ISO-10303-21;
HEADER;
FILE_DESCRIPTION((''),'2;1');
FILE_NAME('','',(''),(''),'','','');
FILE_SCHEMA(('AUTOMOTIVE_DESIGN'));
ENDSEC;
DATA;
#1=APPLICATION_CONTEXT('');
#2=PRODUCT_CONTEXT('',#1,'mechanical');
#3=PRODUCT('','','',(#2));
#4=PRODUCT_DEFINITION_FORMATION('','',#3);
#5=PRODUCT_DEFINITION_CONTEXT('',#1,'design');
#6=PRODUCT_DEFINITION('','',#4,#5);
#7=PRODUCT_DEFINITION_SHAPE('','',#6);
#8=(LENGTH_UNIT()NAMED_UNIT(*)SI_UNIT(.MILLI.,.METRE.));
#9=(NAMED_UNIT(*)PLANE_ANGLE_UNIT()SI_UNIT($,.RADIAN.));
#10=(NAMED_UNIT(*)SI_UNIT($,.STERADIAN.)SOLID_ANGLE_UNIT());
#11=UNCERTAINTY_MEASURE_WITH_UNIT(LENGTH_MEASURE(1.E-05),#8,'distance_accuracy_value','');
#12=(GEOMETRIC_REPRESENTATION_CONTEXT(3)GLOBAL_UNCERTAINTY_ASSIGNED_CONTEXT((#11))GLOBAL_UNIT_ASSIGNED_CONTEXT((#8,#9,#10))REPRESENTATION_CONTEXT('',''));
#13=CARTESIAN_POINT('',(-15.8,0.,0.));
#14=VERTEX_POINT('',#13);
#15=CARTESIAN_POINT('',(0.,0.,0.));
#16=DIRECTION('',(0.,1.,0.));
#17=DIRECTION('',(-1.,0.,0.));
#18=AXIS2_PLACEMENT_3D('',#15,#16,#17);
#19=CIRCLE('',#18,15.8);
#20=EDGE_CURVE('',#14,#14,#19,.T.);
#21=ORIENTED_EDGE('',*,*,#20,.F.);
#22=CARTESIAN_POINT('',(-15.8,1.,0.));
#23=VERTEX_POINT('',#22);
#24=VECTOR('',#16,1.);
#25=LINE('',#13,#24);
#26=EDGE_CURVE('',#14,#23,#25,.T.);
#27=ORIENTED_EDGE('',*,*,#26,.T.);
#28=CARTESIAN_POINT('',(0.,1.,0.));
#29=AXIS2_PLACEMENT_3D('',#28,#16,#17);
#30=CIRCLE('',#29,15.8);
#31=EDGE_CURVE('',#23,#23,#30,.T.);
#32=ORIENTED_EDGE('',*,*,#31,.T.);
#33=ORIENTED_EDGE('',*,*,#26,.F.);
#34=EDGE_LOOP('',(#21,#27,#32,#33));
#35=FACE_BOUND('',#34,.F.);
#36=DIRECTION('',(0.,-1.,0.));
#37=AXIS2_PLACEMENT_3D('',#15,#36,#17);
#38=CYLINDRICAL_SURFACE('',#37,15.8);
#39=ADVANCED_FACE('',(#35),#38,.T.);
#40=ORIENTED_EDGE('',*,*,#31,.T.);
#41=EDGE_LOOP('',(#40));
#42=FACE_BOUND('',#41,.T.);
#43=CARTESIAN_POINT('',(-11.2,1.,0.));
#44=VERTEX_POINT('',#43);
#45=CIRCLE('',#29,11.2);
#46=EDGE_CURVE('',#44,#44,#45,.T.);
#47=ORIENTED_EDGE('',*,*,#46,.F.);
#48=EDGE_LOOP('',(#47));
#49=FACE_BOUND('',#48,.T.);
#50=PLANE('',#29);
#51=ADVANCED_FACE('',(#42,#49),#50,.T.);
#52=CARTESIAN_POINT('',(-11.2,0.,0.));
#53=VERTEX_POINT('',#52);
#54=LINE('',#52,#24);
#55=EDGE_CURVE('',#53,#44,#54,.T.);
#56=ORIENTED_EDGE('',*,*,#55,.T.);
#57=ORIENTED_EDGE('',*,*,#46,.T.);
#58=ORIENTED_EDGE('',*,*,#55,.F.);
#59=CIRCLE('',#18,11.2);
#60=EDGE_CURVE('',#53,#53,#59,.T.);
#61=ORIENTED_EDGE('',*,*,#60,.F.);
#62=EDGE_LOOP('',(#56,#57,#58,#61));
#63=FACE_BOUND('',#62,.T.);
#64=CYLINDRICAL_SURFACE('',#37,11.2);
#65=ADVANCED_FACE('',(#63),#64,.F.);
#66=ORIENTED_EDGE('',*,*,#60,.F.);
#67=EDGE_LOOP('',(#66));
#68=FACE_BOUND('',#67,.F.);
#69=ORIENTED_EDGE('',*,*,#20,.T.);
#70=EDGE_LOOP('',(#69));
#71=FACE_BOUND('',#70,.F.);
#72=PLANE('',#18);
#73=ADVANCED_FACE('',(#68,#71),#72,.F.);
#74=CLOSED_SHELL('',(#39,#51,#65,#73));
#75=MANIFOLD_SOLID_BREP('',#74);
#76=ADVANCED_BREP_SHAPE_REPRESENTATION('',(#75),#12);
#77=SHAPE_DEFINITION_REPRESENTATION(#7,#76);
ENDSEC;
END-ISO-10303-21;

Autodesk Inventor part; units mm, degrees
ref_plane "YZ Plane" through (0, 0, 0) normal (1, 0, 0) x (0, 1, 0)
ref_plane "XZ Plane" through (0, 0, 0) normal (0, 1, 0) x (-1, 0, 0)
ref_plane "XY Plane" through (0, 0, 0) normal (0, 0, 1) x (1, 0, 0)
sketch "Sketch1" plane through (0, 0, 0) normal (0, 1, 0) x (-1, 0, 0)
  circle A0 centre (0, 0) radius 11.2
  circle A1 centre (0, 0) radius 15.8
  dimension "d0" = 22.4
  dimension "d1" = 31.6
extrude "Extrusion1" add sketch "Sketch1" along normal blind 1
properties part number "Cylone Adapter Sealing Gasket" material "Rubber"
